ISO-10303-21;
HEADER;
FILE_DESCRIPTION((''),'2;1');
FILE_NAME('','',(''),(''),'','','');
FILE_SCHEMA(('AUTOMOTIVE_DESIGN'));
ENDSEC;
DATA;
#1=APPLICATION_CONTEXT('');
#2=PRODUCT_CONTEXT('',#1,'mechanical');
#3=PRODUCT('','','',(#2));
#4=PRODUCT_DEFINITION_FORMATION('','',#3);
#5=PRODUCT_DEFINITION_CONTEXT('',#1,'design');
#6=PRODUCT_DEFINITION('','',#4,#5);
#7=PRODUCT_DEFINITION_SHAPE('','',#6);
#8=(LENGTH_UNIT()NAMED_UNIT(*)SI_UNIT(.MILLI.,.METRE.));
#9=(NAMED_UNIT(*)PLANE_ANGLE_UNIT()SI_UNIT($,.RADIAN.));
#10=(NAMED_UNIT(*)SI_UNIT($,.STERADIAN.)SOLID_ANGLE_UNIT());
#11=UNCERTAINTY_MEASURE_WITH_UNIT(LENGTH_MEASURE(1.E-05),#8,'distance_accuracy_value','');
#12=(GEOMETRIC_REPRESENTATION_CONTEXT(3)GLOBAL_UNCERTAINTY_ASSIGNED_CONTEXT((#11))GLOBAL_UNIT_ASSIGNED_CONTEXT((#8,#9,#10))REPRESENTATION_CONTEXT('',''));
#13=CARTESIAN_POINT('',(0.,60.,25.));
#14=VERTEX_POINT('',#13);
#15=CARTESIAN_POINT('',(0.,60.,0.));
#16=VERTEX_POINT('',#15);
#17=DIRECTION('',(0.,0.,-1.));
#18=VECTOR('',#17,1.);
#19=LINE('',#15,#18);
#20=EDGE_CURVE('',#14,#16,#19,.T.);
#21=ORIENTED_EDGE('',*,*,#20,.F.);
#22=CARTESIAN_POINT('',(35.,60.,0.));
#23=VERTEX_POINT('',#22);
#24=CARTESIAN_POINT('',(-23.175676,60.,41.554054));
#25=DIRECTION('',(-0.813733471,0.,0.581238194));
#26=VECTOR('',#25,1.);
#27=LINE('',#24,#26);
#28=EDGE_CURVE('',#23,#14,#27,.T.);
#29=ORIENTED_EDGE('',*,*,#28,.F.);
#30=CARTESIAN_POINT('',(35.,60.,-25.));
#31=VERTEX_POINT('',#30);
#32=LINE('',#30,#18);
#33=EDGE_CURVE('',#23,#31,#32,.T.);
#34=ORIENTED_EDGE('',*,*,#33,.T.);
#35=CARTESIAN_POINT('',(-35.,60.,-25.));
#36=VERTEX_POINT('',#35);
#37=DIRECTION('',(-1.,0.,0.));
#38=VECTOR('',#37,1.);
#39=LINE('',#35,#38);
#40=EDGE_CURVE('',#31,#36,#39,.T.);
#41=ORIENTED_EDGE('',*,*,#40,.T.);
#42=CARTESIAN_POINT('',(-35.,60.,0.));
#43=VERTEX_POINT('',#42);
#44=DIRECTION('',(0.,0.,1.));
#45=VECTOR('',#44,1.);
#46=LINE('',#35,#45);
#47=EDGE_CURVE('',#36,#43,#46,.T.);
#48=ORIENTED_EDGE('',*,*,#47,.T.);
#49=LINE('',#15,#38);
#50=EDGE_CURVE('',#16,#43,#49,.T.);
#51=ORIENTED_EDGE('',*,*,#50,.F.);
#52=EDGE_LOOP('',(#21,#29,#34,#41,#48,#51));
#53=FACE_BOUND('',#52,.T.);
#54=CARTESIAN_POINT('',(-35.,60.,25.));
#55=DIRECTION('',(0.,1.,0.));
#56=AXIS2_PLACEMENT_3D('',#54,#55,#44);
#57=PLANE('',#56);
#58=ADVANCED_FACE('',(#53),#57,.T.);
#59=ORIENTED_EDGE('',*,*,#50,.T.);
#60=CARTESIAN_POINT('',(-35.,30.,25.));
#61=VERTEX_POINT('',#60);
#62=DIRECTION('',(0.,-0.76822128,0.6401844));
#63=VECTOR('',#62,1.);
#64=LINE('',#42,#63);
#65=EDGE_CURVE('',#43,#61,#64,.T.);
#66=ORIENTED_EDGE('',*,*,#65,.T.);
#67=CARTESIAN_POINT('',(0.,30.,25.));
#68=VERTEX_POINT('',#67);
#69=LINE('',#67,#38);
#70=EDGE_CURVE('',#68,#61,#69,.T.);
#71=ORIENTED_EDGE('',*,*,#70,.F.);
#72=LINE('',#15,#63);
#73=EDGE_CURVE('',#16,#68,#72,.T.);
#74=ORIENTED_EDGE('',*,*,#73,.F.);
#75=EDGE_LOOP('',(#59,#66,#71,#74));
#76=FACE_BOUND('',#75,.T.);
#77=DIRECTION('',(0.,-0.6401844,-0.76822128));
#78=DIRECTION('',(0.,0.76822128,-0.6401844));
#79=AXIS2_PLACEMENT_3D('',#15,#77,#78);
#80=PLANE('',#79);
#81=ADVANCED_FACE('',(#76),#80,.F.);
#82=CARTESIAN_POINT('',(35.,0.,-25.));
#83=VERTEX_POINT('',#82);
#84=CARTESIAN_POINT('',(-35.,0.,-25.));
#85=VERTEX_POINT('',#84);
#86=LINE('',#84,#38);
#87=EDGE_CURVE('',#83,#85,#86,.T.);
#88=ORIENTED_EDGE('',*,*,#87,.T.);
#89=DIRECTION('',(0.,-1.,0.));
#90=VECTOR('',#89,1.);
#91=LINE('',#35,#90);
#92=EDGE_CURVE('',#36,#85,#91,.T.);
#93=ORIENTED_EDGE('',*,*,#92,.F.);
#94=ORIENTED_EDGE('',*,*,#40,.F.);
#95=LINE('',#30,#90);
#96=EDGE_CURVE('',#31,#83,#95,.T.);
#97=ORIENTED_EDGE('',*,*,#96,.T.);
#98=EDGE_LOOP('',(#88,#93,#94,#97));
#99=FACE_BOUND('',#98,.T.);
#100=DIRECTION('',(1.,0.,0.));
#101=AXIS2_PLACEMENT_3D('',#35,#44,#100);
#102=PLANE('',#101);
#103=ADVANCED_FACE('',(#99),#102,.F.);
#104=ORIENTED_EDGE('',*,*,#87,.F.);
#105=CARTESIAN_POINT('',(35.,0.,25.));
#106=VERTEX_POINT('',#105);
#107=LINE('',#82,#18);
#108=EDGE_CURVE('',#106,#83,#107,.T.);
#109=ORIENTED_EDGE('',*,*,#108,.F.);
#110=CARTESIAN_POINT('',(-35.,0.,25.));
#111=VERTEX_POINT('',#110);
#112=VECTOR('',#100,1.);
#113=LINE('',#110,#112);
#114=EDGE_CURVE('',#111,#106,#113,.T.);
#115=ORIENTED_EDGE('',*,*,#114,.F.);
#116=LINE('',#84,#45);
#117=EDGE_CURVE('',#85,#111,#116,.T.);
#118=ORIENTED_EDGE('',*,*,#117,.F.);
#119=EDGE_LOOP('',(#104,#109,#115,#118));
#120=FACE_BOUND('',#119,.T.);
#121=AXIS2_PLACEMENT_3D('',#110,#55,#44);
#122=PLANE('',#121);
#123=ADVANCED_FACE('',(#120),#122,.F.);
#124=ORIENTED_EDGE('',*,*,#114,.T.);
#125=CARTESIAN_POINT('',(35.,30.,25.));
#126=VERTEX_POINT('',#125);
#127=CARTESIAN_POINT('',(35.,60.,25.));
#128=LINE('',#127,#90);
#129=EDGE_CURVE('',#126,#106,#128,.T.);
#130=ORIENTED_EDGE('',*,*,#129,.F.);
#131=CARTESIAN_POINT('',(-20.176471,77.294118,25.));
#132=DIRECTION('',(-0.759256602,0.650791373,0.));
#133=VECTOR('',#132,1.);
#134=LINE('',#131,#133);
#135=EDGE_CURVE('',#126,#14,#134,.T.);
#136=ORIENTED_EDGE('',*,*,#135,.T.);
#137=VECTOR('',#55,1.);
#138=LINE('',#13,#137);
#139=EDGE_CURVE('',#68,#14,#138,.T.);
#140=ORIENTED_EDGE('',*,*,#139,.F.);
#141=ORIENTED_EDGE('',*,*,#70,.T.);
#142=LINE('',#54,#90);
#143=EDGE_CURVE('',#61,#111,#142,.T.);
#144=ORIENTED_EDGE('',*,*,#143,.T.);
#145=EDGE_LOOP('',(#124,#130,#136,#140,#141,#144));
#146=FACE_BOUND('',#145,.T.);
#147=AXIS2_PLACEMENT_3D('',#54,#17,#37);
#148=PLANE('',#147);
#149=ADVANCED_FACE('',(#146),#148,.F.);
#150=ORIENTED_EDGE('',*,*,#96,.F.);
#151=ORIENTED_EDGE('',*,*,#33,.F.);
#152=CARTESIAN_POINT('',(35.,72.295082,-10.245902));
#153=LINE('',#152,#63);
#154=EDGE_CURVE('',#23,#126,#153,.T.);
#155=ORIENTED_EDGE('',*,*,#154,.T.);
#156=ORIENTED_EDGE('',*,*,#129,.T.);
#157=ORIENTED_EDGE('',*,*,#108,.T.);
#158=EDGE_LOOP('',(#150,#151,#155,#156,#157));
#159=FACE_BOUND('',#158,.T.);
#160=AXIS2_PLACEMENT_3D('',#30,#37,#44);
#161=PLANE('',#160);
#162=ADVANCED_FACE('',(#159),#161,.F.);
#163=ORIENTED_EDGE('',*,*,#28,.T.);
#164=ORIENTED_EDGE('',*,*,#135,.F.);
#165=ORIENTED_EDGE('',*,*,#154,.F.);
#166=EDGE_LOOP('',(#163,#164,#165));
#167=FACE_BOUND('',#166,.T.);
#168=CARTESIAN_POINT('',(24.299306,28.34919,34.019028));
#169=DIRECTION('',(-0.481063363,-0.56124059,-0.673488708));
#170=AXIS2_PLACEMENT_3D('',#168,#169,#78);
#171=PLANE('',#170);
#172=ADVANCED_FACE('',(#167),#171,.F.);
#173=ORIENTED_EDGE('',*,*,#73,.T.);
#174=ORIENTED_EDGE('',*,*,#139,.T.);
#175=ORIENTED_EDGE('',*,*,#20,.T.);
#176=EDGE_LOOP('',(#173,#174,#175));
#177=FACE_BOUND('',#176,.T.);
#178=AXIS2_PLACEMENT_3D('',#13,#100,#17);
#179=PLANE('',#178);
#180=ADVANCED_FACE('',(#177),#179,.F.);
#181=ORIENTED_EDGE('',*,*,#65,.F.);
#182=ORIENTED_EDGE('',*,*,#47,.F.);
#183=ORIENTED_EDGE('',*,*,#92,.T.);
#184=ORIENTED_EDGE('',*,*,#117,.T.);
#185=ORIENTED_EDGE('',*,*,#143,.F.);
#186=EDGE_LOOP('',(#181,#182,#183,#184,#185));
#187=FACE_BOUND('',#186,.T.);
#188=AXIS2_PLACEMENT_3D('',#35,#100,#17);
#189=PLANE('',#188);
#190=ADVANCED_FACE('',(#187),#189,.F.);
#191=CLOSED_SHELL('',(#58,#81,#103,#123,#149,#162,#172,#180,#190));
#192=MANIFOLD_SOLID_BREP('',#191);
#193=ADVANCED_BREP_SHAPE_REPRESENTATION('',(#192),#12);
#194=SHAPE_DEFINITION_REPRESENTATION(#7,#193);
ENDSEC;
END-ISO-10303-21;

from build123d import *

# Parameters (mm, degrees)
ESBO_O1_W             = 70
ESBO_O1_H             = 50
EXTRUS_O1_DEPTH       = 60
CORTE_EXTRUS_O2_DEPTH = 35


with BuildPart() as part:
    # Esboço1 → Extrusão1 (new body)
    with BuildSketch(Plane(origin=(0, 0, 0), x_dir=(1, 0, 0), z_dir=(0, 1, 0))):
        Rectangle(ESBO_O1_W, ESBO_O1_H)
    extrude(amount=EXTRUS_O1_DEPTH)

    # Esboço5 → Corte-extrusão2 (cut)
    with BuildSketch(Plane.ZY.offset(35)):
        Polygon((0, 60), (25, 30), (25, 60), align=None)
    extrude(amount=-CORTE_EXTRUS_O2_DEPTH, mode=Mode.SUBTRACT)

    # Corte de superfície4
    split(bisect_by=Plane(origin=(24.299305734, 28.349190023, 34.019028028), x_dir=(-0.876685828, 0.30796926, 0.369563112), z_dir=(-0.481063363, -0.56124059, -0.673488708)), keep=Keep.TOP)


solid = part.part
